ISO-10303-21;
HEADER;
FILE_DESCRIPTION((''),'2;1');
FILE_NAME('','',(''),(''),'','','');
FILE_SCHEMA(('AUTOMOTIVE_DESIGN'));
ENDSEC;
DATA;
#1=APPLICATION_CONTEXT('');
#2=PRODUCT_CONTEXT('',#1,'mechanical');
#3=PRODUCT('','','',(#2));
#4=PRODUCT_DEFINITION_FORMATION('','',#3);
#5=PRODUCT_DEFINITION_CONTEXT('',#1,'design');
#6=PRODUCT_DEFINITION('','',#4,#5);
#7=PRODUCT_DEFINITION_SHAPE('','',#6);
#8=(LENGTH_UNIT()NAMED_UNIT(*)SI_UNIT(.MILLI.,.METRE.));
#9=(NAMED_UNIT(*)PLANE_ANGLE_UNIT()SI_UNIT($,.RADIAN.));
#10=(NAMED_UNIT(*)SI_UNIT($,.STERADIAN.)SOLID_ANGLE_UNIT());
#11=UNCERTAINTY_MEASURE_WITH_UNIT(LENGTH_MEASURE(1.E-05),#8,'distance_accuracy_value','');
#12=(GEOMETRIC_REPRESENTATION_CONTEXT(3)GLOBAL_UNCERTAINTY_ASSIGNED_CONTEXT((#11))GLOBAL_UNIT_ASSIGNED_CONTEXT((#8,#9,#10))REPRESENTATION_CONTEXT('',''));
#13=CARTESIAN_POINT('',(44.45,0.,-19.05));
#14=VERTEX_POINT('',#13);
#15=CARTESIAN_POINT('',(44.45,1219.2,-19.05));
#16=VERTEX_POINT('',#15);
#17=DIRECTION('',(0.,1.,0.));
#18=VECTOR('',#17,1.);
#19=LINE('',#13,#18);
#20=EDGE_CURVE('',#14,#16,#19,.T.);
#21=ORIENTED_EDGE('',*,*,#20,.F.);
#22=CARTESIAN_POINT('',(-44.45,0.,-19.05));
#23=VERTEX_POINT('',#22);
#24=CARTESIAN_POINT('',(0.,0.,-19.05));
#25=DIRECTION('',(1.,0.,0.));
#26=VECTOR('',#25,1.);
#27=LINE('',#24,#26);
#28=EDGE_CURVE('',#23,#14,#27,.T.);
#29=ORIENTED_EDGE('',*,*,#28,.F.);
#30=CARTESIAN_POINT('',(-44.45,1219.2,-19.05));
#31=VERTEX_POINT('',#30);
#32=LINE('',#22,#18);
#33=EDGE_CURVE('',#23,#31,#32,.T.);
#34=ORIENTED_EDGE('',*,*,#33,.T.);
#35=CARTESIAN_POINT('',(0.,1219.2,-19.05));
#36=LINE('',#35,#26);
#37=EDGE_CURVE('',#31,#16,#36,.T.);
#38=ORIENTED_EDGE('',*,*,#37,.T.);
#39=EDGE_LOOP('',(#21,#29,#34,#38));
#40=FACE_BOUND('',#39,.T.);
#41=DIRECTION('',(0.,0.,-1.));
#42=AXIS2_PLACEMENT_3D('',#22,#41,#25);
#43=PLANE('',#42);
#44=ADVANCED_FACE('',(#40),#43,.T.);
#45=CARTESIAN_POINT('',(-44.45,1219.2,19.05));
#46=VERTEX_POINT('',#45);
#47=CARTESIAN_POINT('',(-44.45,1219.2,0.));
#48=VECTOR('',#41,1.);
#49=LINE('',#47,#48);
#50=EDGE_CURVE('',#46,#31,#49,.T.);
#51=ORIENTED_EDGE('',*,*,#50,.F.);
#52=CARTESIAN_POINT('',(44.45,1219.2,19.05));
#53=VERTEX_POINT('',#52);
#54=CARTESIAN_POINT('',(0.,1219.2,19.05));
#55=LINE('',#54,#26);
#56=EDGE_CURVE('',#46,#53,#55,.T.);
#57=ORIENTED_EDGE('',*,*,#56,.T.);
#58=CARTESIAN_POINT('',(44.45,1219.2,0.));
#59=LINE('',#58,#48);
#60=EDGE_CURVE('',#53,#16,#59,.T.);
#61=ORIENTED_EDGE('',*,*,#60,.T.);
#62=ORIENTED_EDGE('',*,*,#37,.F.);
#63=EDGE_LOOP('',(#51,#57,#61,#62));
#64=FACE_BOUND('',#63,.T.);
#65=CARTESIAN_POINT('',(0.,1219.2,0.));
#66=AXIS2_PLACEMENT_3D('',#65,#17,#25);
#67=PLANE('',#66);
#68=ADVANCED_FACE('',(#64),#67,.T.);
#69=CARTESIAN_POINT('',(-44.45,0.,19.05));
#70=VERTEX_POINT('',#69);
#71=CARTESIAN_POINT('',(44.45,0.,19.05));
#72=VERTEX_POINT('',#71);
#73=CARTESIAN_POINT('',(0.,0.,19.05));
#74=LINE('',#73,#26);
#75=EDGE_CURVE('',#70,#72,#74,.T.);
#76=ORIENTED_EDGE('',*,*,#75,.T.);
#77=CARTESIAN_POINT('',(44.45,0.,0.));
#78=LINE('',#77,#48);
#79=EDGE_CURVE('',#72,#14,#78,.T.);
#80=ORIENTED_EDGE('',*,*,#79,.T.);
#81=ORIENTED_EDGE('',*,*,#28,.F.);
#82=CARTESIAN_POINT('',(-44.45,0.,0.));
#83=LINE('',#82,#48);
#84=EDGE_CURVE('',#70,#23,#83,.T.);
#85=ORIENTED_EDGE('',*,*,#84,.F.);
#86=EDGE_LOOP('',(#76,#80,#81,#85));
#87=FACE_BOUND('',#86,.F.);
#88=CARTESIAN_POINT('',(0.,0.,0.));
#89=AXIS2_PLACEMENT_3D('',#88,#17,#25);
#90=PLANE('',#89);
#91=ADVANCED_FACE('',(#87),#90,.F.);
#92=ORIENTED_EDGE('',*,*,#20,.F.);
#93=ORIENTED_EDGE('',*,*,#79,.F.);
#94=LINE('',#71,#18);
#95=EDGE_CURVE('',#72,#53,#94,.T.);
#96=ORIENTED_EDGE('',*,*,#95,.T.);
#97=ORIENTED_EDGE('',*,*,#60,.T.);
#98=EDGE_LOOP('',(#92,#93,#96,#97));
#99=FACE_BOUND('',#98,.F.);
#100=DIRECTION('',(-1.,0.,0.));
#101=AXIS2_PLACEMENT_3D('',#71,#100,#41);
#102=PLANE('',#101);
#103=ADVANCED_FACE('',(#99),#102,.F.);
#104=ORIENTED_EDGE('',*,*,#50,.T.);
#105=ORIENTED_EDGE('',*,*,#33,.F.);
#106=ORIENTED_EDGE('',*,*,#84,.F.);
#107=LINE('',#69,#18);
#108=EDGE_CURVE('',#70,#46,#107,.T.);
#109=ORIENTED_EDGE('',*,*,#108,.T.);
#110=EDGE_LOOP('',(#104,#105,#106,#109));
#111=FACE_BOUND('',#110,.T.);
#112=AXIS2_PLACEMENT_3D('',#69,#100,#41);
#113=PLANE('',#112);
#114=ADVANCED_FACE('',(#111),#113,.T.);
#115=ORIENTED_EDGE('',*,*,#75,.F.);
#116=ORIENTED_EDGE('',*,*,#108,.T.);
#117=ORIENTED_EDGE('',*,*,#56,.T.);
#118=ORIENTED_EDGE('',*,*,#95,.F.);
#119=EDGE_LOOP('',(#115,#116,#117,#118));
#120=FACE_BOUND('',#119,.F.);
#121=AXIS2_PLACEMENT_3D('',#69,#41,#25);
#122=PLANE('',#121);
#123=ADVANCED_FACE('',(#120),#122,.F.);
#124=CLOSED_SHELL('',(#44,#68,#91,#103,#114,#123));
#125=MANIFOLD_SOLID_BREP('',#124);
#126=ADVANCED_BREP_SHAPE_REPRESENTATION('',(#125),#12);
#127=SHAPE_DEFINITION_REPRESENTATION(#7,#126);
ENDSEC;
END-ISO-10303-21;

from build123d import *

# Parameters (mm, degrees)
SKETCH1_W           = 88.9
SKETCH1_H           = 38.1
BOSS_EXTRUDE1_DEPTH = 1219.2


with BuildPart() as part:
    # Sketch1 → Boss-Extrude1 (new body)
    with BuildSketch(Plane(origin=(0, 0, 0), x_dir=(1, 0, 0), z_dir=(0, 1, 0))):
        Rectangle(SKETCH1_W, SKETCH1_H)
    extrude(amount=BOSS_EXTRUDE1_DEPTH)


solid = part.part
